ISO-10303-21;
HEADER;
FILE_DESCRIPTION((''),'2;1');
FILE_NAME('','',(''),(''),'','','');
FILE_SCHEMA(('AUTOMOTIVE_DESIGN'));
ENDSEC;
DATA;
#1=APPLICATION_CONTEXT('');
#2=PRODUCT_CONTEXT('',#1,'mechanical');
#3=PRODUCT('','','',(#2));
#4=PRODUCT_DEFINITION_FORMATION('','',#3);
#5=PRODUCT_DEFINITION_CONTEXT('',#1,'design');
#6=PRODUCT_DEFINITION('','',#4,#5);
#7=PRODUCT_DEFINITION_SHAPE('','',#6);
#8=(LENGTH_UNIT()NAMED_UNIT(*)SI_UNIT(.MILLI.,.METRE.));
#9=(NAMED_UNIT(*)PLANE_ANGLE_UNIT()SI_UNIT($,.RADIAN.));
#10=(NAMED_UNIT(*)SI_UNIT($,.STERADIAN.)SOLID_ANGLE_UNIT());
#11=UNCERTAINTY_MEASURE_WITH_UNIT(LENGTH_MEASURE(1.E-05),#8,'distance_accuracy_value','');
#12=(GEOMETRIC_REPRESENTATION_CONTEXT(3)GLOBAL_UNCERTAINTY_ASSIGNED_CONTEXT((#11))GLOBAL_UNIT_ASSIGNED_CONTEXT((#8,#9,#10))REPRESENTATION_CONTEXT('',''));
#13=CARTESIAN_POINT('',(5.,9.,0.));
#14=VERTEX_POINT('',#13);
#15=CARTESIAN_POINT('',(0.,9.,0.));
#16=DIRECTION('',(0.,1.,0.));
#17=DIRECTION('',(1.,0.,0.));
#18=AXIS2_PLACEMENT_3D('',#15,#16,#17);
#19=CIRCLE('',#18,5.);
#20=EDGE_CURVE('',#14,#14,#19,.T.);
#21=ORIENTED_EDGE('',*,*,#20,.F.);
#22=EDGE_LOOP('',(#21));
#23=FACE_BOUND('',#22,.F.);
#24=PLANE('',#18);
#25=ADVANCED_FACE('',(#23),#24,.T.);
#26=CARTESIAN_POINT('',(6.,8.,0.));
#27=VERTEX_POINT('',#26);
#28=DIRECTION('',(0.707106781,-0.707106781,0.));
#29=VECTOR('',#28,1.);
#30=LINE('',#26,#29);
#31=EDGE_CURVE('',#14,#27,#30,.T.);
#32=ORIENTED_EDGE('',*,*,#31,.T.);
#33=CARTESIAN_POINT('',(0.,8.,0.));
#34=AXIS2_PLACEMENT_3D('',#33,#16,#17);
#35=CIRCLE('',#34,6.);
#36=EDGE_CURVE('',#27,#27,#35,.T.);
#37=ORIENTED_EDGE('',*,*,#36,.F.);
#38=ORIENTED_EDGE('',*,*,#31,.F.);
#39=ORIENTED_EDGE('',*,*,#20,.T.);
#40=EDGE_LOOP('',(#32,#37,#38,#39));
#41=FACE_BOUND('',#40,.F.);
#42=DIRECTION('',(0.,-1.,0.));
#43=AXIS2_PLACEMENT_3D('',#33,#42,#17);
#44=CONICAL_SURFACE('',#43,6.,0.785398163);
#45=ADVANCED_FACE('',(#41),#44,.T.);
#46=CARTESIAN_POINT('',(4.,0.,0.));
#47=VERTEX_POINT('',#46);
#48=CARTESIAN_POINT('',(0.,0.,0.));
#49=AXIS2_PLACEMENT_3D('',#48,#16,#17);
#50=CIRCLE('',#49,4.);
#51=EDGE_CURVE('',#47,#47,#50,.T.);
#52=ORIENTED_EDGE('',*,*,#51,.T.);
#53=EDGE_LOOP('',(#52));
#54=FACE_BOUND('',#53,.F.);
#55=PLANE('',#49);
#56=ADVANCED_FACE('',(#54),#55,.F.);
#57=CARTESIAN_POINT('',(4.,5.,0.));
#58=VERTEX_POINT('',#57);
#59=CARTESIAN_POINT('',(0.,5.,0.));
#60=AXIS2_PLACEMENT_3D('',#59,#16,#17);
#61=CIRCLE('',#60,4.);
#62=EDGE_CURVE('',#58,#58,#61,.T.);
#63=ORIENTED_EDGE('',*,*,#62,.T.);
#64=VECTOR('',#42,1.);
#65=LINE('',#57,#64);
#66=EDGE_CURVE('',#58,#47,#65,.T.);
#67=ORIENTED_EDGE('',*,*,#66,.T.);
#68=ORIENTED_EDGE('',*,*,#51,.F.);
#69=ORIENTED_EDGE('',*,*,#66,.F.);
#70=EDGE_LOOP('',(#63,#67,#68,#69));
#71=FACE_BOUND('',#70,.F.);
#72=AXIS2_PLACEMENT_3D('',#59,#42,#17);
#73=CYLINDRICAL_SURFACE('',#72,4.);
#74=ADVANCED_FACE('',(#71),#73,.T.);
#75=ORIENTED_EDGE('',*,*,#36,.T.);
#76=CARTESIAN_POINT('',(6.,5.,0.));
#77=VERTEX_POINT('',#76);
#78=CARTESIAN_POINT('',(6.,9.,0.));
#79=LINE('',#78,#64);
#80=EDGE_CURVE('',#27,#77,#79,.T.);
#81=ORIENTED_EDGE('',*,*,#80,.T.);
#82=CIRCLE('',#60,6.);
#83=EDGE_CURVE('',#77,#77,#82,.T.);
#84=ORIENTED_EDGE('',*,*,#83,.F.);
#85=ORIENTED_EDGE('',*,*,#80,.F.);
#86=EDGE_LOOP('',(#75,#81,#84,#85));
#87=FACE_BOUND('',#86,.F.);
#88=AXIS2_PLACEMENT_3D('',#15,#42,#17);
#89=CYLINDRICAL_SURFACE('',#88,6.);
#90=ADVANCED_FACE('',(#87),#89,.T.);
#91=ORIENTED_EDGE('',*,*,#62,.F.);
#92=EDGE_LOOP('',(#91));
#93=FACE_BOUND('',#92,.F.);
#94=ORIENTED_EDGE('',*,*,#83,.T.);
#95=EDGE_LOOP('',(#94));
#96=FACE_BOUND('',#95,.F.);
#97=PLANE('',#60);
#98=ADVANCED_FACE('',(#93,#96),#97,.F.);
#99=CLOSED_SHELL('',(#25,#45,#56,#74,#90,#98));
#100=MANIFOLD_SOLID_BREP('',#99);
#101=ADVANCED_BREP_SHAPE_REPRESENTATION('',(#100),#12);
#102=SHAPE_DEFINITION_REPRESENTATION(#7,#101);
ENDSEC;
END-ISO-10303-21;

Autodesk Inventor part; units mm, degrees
ref_plane "YZ Plane" through (0, 0, 0) normal (1, 0, 0) x (0, 1, 0)
ref_plane "XZ Plane" through (0, 0, 0) normal (0, 1, 0) x (-1, 0, 0)
ref_plane "XY Plane" through (0, 0, 0) normal (0, 0, 1) x (1, 0, 0)
sketch "Skizze1" plane through (0, 0, 0) normal (0, 0, 1) x (1, 0, 0)
  line L0 (0, 0) -> (0, 9)
  line L1 (0, 9) -> (6, 9)
  line L2 (6, 9) -> (6, 5)
  line L3 (6, 5) -> (4, 5)
  line L4 (4, 5) -> (4, 0)
  line L5 (4, 0) -> (0, 0)
  point P0 (5, 5)
  dimension "d0" = 8
  dimension "d1" = 12
  dimension "d2" = 5
  dimension "d3" = 4
revolve "Umdrehung1" add sketch "Skizze1" angle 360 about axis through (0, 0, 0) along (0, 1, 0)
chamfer "Fasen1" distance 1 angle 45 1 edges at (-6, 9, 0)
thread "Gewinde1" size "M8x1.25" class "6g" standard "ISO Metric profile" full length
properties part number "153 part 2" material "Gold"
